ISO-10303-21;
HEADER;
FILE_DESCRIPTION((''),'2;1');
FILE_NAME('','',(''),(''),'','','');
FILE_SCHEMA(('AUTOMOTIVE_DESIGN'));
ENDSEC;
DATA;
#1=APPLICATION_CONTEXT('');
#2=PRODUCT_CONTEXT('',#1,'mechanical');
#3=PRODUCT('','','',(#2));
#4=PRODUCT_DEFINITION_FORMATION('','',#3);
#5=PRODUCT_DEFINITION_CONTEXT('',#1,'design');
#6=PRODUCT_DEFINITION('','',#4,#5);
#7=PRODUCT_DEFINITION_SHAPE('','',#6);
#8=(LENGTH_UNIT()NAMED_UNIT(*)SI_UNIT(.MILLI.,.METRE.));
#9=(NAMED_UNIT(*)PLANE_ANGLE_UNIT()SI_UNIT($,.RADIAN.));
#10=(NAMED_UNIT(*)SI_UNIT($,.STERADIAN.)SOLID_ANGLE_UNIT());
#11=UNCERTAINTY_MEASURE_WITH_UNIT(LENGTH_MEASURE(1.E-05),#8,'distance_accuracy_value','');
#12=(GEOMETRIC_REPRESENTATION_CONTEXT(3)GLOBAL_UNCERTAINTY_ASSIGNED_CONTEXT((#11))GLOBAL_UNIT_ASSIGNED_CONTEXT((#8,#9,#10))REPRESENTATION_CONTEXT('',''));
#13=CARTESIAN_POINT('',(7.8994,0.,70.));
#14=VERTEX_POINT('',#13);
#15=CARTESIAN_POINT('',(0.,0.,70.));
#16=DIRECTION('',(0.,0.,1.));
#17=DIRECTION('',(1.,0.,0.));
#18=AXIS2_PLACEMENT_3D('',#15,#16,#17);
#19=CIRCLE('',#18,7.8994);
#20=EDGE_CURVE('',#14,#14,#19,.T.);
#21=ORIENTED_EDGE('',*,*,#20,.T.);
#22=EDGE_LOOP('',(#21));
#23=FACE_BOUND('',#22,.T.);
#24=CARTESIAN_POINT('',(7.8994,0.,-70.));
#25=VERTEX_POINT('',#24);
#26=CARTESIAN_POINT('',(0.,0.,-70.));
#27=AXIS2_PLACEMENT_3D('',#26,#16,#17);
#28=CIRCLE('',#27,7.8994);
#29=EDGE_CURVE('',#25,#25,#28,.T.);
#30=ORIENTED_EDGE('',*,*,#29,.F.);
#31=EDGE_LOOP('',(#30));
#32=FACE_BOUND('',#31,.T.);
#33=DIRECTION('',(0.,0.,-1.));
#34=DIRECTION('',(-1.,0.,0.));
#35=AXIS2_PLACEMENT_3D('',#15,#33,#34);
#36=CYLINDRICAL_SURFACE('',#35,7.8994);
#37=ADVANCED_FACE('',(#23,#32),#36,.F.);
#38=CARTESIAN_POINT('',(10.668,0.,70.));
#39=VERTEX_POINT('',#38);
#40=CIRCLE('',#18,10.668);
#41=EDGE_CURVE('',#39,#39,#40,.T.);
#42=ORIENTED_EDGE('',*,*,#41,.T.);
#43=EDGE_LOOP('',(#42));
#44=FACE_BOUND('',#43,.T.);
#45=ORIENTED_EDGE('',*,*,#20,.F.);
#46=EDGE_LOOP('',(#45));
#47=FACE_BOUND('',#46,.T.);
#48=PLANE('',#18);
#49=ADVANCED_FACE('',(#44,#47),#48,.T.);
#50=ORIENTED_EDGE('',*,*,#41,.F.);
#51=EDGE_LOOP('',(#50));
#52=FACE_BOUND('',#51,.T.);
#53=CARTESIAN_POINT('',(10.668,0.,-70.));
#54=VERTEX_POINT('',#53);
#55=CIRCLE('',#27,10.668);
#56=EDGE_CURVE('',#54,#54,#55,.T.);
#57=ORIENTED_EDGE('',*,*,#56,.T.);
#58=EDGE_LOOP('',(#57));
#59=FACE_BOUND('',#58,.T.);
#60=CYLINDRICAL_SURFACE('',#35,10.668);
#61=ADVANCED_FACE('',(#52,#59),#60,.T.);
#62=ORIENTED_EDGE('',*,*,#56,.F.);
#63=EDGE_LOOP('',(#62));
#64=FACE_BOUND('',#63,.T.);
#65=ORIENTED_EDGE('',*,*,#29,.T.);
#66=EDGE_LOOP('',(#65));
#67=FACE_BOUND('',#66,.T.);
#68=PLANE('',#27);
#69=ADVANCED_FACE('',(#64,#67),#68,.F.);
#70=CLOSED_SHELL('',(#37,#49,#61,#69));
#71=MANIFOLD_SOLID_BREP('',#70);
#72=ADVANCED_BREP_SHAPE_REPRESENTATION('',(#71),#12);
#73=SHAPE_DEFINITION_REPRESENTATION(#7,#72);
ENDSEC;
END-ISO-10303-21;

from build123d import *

# Parameters (mm, degrees)
SKETCH1_R           = 10.668
SKETCH1_R_2         = 7.8994
EXTRUDE_THIN1_DEPTH = 70


with BuildPart() as part:
    # Sketch1 → Extrude-Thin1 (new body, symmetric)
    with BuildSketch(Plane.XY):
        Circle(SKETCH1_R)
        Circle(SKETCH1_R_2, mode=Mode.SUBTRACT)
    extrude(amount=EXTRUDE_THIN1_DEPTH, both=True)


solid = part.part
